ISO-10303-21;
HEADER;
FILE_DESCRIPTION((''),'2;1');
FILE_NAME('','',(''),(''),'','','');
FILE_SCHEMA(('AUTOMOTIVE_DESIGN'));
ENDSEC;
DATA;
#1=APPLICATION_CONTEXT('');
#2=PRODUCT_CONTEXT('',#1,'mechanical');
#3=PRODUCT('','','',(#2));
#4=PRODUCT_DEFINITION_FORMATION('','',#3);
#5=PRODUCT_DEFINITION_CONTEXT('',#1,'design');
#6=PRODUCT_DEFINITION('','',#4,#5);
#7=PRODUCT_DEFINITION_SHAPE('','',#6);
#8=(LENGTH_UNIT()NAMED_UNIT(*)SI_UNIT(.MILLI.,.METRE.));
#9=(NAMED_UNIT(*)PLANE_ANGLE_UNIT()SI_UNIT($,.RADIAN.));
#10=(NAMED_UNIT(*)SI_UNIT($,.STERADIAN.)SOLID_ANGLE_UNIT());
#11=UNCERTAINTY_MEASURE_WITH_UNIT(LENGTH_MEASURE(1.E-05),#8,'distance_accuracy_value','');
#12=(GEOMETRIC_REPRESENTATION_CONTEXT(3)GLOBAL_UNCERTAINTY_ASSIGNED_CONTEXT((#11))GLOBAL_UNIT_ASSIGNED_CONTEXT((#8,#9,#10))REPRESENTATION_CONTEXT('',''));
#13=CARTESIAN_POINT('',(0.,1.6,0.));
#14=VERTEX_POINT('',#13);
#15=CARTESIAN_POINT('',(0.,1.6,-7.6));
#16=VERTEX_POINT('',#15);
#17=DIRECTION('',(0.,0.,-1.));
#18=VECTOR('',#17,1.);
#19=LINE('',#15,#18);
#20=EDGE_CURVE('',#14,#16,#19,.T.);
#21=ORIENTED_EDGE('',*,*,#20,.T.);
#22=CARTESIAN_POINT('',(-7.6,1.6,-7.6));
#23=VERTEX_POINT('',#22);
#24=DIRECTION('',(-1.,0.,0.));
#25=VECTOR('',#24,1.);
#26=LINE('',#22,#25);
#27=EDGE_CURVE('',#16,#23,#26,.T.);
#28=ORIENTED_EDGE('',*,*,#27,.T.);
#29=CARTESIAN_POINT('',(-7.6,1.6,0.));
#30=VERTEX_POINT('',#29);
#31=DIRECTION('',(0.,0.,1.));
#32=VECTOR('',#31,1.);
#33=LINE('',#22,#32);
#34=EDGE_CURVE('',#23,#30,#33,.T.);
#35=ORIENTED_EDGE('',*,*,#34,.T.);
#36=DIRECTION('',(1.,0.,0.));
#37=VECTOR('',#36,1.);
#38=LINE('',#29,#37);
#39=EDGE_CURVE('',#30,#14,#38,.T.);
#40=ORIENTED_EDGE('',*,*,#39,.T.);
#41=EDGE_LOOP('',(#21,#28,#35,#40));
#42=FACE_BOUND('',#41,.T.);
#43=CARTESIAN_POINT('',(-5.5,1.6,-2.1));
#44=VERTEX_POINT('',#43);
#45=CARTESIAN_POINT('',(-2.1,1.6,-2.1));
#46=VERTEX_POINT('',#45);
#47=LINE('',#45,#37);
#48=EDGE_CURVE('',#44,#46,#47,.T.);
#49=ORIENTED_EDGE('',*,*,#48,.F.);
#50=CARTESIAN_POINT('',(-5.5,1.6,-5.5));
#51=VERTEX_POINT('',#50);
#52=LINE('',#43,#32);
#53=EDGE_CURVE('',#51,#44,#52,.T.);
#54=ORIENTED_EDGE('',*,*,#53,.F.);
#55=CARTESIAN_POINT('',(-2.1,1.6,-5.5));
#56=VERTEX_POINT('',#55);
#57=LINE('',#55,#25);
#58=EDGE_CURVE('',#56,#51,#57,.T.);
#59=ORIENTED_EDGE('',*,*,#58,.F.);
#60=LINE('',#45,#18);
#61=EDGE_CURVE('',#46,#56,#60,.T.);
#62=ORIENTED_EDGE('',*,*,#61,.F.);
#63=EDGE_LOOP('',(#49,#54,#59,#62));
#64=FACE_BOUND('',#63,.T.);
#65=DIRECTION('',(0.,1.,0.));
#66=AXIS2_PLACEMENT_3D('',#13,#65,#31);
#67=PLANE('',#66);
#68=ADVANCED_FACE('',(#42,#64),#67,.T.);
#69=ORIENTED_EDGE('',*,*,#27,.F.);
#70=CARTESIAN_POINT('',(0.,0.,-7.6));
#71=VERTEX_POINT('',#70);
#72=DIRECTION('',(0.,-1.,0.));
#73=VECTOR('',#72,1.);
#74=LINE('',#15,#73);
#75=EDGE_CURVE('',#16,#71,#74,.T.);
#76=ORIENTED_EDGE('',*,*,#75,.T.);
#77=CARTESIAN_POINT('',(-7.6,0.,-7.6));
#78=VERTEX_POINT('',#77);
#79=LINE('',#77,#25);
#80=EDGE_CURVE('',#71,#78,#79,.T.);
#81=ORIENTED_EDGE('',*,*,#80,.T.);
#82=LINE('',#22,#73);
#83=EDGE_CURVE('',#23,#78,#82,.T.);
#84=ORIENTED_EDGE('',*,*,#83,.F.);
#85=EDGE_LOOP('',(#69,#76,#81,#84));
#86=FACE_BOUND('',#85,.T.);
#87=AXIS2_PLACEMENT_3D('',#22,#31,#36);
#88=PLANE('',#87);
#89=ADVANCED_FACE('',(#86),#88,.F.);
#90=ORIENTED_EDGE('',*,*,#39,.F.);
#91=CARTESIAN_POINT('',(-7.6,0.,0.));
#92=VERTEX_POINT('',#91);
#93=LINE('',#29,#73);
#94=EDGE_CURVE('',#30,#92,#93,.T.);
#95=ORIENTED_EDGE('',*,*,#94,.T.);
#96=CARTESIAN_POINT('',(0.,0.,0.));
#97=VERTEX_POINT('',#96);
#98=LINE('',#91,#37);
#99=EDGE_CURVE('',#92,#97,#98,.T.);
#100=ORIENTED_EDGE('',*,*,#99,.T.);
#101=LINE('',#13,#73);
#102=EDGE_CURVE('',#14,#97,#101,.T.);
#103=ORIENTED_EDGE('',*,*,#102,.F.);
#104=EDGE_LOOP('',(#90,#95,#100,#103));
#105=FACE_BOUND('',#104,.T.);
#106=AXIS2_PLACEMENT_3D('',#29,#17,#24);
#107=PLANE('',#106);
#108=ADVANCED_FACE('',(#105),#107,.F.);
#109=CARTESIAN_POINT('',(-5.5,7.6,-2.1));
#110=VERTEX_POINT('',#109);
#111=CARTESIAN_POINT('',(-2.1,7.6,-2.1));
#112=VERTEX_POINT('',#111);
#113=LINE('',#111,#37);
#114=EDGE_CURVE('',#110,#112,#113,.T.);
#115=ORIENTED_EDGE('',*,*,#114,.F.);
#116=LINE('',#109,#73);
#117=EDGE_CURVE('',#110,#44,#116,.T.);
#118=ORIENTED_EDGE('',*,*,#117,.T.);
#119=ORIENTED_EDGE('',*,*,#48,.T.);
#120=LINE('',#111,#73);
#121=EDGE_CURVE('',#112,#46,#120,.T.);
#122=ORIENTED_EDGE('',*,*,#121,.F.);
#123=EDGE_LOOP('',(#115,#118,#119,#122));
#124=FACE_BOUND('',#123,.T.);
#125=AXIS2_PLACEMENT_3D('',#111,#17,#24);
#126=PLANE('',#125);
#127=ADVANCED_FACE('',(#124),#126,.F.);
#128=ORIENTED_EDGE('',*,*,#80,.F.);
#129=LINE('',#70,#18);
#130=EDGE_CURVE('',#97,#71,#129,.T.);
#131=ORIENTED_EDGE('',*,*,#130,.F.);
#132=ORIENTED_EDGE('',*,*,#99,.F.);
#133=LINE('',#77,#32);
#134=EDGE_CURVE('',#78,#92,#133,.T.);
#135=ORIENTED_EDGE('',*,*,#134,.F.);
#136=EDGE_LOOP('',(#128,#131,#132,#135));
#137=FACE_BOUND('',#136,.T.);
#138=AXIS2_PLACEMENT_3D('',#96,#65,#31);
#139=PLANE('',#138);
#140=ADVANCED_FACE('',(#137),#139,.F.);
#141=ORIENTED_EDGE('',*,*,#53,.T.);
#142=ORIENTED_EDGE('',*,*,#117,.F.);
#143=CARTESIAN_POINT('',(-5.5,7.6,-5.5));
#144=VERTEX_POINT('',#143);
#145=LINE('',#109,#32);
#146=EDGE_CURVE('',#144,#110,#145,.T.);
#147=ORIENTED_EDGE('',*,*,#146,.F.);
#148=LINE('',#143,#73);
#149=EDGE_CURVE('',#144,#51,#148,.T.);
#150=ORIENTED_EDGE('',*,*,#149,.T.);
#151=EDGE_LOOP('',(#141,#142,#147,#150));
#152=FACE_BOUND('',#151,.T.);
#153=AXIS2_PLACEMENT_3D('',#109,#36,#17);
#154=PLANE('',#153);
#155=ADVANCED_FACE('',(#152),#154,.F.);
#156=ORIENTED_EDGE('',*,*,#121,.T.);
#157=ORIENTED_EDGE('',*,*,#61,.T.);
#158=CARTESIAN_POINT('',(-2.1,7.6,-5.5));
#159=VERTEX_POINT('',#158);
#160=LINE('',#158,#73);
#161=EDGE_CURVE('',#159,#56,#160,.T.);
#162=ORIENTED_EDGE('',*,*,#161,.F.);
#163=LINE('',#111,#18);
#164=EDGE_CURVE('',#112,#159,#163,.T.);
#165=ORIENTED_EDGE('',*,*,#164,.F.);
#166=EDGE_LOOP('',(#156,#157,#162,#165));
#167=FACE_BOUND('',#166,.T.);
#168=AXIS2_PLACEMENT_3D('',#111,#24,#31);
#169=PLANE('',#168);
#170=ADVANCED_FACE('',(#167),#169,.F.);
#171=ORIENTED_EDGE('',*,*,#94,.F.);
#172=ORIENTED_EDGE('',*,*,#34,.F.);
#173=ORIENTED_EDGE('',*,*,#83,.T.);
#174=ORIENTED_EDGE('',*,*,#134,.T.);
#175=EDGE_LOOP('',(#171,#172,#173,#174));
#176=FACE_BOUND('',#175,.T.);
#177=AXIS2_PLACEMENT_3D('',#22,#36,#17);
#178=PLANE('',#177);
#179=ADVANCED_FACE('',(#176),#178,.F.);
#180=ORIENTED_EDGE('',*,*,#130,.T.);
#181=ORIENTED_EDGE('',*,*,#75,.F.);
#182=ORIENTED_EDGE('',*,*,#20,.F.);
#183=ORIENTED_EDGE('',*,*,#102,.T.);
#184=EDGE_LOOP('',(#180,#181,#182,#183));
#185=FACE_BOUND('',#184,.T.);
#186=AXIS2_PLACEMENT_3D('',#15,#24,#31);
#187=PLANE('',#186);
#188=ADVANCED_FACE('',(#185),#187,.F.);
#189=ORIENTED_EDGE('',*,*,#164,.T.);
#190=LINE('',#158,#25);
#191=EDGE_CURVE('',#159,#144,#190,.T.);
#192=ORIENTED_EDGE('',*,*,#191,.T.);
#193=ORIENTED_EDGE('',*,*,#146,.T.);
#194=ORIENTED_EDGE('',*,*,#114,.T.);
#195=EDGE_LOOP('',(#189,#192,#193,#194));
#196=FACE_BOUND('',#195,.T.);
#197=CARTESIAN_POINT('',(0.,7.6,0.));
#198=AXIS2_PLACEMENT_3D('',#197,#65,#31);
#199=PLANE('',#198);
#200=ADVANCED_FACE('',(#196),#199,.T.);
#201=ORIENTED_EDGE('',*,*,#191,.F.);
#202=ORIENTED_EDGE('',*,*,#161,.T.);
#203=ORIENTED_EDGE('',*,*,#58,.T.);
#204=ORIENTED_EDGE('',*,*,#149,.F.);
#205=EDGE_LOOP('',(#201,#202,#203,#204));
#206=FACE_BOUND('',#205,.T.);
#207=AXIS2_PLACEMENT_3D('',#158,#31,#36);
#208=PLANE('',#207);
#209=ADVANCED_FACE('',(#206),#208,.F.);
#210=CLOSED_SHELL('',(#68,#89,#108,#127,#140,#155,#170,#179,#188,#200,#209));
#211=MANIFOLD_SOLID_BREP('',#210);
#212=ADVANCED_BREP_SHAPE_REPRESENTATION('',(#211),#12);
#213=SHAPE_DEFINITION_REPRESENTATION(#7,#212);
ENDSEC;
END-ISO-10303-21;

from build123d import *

# Parameters (mm, degrees)
SKETCH_1_W      = 7.6
SKETCH_1_H      = 7.6
EXTRUDE_1_DEPTH = 1.6
SKETCH_2_W      = 3.4
SKETCH_2_H      = 3.4
EXTRUDE_2_DEPTH = 6


with BuildPart() as part:
    # 草图1 → 凸台-拉伸1 (new body)
    with BuildSketch(Plane(origin=(0, 0, 0), x_dir=(1, 0, 0), z_dir=(0, 1, 0))):
        with Locations((-3.8, 3.8)):
            Rectangle(SKETCH_1_W, SKETCH_1_H)
    extrude(amount=EXTRUDE_1_DEPTH)

    # 草图2 → 凸台-拉伸2 (add)
    with BuildSketch(Plane(origin=(0, 1.6, 0), x_dir=(1, 0, 0), z_dir=(0, 1, 0))):
        with Locations((-3.8, 3.8)):
            Rectangle(SKETCH_2_W, SKETCH_2_H)
    extrude(amount=EXTRUDE_2_DEPTH)


solid = part.part
